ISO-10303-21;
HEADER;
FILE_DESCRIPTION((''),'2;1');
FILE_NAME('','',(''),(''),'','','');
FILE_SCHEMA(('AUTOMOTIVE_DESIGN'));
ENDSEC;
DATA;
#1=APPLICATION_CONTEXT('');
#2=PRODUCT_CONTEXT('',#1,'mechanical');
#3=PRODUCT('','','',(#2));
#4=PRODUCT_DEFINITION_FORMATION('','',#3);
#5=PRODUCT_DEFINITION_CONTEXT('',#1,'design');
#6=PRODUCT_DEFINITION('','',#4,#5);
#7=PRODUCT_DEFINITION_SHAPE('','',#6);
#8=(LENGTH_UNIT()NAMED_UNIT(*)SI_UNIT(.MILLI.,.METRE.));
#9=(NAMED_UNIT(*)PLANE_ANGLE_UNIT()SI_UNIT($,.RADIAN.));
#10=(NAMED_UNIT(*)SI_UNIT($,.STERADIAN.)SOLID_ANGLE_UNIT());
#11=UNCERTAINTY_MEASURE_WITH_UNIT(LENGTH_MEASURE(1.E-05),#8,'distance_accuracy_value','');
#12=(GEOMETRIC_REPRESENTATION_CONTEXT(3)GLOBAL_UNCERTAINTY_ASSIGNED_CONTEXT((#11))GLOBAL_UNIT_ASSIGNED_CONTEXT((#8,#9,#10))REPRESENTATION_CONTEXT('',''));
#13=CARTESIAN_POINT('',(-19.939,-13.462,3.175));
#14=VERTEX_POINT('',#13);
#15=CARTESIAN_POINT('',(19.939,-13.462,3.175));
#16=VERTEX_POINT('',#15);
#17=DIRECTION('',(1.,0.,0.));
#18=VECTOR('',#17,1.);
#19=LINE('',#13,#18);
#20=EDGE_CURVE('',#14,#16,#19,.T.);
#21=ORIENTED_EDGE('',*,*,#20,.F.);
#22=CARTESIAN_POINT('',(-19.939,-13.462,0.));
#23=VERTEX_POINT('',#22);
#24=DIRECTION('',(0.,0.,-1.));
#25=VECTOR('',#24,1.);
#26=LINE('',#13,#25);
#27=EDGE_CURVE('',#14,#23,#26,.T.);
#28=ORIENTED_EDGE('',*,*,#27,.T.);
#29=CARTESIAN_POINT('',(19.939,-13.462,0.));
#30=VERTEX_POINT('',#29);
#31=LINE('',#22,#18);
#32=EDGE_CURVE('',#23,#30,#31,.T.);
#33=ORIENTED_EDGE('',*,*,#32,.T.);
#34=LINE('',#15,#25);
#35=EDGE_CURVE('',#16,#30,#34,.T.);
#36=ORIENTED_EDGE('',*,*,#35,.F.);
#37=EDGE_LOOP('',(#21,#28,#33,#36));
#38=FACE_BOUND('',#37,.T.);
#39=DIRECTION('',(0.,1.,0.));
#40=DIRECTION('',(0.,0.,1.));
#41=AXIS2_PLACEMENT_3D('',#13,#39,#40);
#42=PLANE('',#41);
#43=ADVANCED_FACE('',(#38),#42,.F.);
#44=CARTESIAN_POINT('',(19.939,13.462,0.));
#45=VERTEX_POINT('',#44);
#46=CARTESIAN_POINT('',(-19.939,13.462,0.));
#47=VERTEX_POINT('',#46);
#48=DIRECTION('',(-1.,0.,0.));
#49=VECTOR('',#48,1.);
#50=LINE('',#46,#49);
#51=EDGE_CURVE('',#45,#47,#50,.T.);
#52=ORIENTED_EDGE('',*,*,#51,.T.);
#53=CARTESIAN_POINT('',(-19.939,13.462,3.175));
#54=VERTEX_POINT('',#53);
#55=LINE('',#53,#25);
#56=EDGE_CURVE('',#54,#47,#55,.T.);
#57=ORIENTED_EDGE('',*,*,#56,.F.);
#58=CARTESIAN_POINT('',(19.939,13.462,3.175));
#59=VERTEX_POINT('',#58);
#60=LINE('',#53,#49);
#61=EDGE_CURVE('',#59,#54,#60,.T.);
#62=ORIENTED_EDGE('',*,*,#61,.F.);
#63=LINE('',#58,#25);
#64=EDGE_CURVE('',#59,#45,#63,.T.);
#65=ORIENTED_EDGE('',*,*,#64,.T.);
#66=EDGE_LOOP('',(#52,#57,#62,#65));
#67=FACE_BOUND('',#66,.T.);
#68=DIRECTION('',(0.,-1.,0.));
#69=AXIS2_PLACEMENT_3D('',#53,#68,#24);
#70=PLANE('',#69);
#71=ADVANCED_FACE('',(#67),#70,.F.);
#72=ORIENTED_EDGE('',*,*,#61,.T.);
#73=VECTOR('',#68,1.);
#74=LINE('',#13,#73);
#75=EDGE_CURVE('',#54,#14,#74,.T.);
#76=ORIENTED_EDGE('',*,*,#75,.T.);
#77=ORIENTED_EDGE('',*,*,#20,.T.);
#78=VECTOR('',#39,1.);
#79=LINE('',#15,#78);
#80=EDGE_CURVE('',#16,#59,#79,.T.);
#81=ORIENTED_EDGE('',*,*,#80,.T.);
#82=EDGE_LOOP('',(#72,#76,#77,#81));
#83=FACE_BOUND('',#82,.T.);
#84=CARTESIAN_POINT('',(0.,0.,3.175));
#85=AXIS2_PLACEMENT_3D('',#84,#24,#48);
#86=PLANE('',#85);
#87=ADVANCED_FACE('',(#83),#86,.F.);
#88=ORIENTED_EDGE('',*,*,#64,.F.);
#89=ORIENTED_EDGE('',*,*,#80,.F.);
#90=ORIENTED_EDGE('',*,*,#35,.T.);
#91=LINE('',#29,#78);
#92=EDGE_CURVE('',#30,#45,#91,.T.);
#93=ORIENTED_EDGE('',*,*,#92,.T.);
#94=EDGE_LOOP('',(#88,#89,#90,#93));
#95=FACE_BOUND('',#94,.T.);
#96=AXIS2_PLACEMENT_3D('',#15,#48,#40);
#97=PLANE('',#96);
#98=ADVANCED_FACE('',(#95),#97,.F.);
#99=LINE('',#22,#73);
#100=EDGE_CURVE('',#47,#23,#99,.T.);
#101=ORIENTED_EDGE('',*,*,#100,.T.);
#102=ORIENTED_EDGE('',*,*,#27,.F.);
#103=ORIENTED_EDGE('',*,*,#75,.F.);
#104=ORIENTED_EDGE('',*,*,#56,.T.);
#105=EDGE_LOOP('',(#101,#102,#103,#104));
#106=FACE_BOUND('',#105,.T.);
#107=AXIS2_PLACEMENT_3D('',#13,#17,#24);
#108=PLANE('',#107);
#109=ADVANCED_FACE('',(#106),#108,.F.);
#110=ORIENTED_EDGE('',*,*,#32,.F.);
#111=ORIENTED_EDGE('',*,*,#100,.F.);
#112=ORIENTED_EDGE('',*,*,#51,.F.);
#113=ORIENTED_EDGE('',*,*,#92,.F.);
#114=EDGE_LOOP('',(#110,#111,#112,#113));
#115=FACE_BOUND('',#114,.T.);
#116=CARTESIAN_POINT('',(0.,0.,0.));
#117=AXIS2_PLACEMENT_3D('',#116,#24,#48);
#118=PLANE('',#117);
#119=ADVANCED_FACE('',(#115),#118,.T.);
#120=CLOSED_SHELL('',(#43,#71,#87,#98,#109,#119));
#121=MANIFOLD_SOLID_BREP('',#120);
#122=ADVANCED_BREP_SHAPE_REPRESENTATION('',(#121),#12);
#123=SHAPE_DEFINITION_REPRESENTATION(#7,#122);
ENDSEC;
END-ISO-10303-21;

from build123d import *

# Parameters (mm, degrees)
SKETCH1_W           = 39.878
SKETCH1_H           = 26.924
BOSS_EXTRUDE1_DEPTH = 3.175


with BuildPart() as part:
    # Sketch1 → Boss-Extrude1 (new body)
    with BuildSketch(Plane.XY):
        Rectangle(SKETCH1_W, SKETCH1_H)
    extrude(amount=BOSS_EXTRUDE1_DEPTH)


solid = part.part
